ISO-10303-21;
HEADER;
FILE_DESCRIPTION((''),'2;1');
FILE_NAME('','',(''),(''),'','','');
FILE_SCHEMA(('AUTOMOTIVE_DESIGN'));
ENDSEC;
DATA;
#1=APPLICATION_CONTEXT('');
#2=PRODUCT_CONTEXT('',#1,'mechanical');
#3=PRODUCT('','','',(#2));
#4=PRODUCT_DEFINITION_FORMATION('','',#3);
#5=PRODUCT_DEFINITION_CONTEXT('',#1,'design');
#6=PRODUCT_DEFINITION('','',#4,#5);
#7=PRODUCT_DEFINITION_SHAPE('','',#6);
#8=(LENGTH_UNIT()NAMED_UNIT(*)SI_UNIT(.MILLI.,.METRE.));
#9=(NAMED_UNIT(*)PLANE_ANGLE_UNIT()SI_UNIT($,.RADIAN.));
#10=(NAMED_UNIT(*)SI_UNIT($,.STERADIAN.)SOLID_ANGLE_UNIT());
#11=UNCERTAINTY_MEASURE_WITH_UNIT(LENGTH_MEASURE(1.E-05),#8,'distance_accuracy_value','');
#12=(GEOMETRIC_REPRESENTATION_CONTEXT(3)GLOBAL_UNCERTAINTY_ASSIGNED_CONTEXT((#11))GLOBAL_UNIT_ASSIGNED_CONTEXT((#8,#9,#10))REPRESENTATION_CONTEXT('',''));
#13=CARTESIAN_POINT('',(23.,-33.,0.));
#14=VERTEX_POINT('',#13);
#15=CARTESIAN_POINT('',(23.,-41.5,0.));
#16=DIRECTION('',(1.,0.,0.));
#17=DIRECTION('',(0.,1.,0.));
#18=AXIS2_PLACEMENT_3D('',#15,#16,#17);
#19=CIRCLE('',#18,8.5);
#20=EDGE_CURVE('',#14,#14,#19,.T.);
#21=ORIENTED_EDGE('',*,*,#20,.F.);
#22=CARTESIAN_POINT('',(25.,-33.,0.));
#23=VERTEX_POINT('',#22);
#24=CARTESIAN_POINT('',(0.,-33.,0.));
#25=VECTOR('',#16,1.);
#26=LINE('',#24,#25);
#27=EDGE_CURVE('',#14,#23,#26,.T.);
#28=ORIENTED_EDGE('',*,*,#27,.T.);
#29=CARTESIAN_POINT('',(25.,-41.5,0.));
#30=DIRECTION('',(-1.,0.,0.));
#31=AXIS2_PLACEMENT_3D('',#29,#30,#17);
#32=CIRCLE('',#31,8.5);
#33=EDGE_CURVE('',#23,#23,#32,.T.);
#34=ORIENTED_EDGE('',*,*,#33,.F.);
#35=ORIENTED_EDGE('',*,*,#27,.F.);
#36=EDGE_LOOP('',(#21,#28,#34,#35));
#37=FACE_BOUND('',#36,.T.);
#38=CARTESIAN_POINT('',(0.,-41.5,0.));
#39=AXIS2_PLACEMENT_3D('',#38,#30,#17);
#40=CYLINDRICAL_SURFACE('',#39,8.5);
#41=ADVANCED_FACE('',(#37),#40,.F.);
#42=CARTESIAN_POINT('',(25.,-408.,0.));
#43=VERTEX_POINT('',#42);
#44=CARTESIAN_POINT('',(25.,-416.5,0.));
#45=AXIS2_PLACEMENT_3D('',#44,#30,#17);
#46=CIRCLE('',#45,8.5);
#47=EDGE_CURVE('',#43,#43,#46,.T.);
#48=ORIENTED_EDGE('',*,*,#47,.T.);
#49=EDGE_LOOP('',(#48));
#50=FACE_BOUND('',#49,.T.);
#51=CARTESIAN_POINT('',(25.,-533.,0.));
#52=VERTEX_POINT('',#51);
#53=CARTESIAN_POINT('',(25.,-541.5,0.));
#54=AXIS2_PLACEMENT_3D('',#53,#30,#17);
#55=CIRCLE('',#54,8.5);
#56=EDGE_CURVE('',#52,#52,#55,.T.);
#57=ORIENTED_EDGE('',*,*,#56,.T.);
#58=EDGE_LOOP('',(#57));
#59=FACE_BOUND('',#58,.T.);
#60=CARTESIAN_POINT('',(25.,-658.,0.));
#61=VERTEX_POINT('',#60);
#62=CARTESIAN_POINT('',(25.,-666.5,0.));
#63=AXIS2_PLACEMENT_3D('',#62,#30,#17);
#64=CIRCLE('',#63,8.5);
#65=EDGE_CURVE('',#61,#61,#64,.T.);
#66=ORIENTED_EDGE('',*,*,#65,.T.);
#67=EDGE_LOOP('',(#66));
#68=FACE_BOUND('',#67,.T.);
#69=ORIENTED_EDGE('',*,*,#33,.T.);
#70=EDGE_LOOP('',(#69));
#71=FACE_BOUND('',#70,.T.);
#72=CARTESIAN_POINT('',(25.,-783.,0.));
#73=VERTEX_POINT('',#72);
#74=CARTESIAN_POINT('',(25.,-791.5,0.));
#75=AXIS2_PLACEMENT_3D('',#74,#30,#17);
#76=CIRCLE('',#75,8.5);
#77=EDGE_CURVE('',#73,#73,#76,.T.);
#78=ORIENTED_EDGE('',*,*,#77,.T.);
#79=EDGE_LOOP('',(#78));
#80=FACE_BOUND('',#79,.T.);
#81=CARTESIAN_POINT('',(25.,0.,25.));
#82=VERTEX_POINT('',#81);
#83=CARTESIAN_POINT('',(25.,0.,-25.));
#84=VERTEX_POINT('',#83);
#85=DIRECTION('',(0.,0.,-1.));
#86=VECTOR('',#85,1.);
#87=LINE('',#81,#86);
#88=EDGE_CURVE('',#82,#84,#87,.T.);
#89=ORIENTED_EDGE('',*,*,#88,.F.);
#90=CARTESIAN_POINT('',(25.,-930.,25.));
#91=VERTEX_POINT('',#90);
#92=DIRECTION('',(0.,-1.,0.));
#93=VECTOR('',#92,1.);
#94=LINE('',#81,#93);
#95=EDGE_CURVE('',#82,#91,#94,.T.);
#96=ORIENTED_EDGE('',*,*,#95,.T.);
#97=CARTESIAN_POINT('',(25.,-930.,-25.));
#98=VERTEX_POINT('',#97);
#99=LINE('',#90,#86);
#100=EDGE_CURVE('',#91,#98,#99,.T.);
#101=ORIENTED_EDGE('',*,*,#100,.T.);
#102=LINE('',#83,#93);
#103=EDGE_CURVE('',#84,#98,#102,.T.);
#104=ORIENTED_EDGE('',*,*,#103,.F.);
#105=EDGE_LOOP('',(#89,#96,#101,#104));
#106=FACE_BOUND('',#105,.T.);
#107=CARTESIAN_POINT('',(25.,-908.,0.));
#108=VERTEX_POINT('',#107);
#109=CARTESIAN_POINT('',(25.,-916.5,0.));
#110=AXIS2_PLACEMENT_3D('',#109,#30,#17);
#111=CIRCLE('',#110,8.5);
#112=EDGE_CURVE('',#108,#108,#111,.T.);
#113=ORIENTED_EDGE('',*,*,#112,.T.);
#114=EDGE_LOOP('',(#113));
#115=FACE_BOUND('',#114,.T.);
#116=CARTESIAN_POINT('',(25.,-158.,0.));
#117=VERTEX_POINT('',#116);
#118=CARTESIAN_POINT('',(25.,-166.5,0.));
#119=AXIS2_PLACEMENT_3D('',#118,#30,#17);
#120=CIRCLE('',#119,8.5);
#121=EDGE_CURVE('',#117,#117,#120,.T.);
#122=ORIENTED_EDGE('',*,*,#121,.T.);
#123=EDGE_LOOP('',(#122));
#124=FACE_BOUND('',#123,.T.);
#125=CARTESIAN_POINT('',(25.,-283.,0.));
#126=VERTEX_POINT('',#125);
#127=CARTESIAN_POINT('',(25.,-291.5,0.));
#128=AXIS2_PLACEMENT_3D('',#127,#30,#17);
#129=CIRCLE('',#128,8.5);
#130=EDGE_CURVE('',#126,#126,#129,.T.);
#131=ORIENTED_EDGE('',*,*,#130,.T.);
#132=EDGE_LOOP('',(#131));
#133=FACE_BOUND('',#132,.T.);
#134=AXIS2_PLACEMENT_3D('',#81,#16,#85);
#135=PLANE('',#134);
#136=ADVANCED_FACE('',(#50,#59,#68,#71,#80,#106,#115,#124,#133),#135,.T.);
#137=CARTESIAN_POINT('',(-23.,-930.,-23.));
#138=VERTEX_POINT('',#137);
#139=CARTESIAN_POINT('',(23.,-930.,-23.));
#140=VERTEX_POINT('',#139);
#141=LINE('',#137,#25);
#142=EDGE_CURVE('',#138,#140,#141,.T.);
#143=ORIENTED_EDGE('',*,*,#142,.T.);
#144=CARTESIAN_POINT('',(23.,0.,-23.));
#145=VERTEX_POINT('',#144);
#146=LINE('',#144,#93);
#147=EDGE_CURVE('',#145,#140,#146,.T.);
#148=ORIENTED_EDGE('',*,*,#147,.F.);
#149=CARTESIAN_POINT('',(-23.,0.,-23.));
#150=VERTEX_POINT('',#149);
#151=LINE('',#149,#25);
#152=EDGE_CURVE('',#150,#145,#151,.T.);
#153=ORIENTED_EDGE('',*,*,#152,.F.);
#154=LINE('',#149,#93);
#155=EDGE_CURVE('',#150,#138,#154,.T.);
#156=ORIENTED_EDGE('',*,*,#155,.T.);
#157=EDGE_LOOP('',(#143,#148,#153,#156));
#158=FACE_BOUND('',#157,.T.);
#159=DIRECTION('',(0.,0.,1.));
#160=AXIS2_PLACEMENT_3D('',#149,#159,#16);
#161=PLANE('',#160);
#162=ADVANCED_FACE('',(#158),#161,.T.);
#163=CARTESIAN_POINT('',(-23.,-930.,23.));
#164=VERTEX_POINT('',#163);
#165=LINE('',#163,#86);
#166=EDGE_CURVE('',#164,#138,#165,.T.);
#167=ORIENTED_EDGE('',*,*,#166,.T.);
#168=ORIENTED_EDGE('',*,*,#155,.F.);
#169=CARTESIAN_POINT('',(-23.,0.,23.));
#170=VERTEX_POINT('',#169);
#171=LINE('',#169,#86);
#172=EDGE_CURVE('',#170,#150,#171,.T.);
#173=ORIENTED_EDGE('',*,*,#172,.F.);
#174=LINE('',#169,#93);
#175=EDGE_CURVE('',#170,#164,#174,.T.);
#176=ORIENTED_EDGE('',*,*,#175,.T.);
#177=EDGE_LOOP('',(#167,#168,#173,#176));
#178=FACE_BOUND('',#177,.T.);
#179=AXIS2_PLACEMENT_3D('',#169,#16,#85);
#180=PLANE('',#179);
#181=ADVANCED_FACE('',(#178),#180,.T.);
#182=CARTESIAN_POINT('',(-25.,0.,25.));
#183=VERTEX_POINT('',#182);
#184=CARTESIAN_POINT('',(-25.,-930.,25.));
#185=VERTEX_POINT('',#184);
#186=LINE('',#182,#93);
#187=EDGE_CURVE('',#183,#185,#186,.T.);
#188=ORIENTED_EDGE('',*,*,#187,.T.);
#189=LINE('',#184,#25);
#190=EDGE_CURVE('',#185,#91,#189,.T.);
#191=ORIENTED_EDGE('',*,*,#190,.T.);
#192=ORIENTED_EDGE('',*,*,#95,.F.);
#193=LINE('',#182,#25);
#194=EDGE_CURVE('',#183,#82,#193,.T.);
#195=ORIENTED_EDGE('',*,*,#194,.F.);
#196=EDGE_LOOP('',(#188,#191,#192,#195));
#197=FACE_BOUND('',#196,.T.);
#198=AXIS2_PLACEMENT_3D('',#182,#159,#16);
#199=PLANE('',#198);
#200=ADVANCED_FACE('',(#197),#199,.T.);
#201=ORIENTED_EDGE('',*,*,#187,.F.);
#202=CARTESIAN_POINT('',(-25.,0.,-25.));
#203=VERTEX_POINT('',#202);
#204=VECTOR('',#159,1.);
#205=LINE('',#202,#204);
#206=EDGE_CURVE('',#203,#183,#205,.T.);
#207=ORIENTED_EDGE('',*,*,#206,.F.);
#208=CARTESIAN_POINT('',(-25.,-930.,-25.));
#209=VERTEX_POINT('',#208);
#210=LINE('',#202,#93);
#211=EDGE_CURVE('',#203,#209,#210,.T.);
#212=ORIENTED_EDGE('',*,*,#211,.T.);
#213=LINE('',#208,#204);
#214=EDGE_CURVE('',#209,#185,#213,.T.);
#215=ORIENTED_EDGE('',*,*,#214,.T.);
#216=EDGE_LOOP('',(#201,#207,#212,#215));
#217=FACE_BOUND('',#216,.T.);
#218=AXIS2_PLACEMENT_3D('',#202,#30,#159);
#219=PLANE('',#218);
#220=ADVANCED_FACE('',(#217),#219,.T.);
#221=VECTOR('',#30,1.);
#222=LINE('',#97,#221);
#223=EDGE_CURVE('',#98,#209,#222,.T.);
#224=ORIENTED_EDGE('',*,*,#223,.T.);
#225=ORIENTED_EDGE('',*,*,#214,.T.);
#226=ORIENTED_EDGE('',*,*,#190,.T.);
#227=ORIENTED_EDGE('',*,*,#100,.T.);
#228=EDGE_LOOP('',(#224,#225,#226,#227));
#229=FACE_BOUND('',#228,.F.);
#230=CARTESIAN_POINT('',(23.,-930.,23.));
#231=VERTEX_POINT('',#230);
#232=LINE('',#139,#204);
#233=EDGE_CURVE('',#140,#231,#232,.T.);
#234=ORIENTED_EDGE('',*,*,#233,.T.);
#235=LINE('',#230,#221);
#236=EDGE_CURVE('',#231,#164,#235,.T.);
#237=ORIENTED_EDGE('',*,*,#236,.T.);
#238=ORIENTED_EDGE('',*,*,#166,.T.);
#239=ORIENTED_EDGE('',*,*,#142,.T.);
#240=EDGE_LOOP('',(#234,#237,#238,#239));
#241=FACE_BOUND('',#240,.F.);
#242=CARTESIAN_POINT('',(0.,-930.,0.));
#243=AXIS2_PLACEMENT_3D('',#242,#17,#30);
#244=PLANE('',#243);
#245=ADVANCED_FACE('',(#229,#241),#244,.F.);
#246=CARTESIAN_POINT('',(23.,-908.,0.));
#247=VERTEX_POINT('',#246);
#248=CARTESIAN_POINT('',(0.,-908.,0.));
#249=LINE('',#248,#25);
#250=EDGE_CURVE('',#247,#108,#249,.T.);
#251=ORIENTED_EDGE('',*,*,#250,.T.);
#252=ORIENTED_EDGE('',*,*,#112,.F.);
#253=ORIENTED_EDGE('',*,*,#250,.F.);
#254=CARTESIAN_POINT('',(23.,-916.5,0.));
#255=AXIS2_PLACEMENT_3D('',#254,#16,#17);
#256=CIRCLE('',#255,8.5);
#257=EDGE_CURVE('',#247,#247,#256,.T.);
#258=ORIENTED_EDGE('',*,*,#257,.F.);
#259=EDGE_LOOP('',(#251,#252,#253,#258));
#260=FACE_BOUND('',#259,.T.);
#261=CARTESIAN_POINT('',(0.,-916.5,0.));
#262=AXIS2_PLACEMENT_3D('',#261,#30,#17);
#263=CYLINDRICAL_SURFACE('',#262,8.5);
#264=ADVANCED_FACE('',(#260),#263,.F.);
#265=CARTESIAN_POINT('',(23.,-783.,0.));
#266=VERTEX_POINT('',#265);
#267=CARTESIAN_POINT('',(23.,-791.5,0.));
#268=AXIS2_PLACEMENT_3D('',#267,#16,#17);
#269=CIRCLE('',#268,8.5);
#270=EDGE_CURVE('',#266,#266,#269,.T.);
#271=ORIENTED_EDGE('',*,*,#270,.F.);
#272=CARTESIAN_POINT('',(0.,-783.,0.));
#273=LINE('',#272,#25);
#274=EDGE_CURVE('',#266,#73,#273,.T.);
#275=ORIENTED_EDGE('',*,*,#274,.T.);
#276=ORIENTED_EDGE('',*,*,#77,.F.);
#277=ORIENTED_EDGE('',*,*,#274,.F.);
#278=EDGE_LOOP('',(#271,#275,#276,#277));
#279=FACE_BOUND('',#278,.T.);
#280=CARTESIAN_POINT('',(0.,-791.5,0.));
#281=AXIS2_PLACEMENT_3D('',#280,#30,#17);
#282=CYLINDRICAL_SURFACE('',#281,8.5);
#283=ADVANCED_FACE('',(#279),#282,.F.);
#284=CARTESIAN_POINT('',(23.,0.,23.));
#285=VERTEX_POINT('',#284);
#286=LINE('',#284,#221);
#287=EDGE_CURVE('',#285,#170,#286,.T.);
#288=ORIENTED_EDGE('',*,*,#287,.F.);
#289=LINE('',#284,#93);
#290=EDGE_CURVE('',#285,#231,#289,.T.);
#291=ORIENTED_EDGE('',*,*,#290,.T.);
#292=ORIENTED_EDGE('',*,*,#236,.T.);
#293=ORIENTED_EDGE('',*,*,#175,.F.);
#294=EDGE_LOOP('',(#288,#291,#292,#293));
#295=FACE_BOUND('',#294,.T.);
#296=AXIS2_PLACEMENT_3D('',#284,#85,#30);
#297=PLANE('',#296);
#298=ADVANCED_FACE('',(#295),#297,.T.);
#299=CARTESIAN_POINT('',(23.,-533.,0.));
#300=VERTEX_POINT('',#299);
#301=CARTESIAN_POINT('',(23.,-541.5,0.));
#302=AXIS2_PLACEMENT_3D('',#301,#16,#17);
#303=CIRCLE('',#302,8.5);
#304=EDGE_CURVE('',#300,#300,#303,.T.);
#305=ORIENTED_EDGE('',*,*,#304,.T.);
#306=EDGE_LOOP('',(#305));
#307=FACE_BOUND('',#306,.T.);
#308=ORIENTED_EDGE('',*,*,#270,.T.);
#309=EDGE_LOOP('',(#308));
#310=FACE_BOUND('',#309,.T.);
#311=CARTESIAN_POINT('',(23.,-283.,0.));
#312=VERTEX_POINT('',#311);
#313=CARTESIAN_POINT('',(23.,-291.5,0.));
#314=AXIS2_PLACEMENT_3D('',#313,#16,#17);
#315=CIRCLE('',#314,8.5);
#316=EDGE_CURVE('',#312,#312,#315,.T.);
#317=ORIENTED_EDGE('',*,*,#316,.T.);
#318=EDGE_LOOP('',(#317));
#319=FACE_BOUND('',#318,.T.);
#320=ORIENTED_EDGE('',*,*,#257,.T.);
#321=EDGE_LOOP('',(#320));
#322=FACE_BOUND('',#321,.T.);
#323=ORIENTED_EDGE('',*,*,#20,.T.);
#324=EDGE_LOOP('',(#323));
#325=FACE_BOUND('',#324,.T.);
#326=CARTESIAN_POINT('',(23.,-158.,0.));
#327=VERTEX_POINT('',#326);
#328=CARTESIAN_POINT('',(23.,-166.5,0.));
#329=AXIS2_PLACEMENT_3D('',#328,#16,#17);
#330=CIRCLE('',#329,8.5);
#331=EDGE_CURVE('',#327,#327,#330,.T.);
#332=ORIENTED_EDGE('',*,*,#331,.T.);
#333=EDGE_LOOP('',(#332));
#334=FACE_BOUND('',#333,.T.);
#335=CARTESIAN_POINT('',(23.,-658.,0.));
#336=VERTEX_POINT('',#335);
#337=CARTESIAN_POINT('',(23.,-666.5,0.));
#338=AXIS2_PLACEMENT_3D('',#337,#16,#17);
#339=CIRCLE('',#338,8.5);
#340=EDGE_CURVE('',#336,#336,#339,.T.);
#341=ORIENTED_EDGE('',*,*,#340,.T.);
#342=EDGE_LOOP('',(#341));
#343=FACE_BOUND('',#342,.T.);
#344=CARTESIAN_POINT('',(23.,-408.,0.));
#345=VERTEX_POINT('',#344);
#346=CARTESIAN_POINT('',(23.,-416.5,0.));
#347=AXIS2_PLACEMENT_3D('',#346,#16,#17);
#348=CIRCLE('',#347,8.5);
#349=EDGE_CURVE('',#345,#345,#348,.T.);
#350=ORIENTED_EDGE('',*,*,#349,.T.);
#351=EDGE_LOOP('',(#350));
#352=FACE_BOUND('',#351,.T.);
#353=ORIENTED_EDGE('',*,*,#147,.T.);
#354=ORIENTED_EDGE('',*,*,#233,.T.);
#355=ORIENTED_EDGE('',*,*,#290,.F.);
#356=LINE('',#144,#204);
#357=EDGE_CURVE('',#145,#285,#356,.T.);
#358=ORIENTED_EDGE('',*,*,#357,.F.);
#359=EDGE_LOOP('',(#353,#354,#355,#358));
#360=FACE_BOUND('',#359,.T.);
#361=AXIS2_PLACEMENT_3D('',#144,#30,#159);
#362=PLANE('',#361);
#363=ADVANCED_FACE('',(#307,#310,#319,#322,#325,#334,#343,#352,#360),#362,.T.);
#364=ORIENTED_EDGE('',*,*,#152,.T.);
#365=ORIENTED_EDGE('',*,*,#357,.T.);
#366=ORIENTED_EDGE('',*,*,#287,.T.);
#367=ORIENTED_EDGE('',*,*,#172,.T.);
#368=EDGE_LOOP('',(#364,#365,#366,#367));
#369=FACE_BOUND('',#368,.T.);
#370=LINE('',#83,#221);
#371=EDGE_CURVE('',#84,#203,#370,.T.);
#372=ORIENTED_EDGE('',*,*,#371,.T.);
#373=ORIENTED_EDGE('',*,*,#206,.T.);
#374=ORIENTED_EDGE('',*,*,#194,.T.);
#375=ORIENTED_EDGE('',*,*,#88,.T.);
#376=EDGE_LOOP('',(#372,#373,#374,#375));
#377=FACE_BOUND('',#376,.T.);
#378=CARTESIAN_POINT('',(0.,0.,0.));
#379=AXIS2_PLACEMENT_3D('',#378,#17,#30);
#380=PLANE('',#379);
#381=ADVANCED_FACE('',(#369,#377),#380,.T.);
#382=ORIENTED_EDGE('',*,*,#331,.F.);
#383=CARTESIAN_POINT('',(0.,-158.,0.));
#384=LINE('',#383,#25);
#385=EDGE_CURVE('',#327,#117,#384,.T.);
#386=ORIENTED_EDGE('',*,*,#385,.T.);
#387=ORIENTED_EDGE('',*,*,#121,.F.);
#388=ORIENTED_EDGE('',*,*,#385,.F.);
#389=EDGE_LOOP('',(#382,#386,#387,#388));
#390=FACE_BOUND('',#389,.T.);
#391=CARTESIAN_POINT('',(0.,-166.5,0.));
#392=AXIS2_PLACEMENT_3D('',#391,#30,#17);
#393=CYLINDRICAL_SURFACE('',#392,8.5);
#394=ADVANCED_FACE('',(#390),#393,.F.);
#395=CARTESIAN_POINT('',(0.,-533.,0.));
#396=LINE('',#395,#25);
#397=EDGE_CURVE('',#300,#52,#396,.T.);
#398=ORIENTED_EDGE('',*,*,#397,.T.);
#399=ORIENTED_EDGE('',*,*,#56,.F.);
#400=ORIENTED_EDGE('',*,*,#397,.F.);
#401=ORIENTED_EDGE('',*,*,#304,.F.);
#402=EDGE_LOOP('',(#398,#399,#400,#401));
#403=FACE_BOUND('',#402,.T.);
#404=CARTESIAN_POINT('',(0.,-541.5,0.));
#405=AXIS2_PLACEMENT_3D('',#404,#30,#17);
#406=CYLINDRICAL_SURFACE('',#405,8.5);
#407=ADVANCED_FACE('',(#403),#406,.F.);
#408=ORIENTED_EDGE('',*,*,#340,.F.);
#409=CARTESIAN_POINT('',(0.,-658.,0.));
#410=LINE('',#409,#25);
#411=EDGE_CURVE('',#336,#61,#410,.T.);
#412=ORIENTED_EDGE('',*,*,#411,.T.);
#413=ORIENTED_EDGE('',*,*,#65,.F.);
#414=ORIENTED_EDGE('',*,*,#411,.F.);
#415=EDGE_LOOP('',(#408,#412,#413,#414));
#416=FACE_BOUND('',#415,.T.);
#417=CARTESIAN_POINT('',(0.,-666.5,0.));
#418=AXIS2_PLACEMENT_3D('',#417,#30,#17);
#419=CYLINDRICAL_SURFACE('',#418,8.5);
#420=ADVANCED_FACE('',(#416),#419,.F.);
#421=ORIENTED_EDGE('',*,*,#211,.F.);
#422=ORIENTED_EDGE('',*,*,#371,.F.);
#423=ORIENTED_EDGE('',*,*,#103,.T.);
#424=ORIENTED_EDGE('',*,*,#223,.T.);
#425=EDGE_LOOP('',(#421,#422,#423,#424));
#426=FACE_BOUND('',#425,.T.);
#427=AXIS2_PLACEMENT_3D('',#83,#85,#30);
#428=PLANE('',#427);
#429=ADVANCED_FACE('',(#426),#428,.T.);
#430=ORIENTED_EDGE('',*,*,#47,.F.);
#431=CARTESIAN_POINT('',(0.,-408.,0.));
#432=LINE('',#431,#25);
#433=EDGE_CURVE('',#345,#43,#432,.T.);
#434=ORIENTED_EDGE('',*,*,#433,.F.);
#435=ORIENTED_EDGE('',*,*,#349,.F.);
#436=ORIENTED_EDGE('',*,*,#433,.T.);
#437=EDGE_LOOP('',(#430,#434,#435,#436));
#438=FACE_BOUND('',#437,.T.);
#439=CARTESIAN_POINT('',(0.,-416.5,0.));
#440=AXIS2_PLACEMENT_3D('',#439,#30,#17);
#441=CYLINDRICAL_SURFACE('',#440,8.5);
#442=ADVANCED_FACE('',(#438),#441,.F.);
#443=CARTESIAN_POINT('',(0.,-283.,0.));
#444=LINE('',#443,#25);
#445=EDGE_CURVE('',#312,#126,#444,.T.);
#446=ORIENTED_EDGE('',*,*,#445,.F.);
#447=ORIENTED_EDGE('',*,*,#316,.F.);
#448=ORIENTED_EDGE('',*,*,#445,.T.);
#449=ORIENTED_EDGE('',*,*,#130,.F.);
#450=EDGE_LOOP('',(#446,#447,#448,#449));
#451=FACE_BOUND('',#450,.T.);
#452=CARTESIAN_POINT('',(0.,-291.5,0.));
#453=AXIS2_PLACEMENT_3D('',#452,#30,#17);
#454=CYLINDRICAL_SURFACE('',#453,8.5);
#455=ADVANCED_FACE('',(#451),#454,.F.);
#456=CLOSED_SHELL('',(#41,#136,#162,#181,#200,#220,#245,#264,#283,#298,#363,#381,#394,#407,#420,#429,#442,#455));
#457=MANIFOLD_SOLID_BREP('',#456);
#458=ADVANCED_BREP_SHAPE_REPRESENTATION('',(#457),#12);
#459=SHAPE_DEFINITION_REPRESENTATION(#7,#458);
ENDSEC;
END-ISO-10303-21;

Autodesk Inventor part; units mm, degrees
ref_plane "YZ Plane" through (0, 0, 0) normal (1, 0, 0) x (0, 1, 0)
ref_plane "XZ Plane" through (0, 0, 0) normal (0, 1, 0) x (-1, 0, 0)
ref_plane "XY Plane" through (0, 0, 0) normal (0, 0, 1) x (1, 0, 0)
sketch "Sketch9" plane through (0, 0, 0) normal (0, 1, 0) x (-1, 0, 0)
  line L0 (25, 25) -> (-25, 25)
  line L1 (-25, 25) -> (-25, -25)
  line L2 (-25, -25) -> (25, -25)
  line L3 (25, -25) -> (25, 25)
  line L4 (25, 25) -> (-25, -25) construction
  line L5 (-25, 25) -> (25, -25) construction
  line L6 (-23, 23) -> (23, 23)
  line L7 (23, 23) -> (23, -23)
  line L8 (23, -23) -> (-23, -23)
  line L9 (-23, -23) -> (-23, 23)
  point P0 (0, 0)
  dimension "d172" = 50
  dimension "d173" = 50
  dimension "d174" = 2
extrude "Extrusion3" add sketch "Sketch9" against normal blind 930
sketch "Sketch10" plane through (0, 0, 0) normal (1, 0, 0) x (0, 1, 0)
  line L0 (0, 25) -> (0, -25) construction
  line L1 (0, 25) -> (-930, 25) construction
  line L2 (-930, -25) -> (-930, 25) construction
  line L3 (0, -25) -> (-930, -25) construction
  line L4 (-925, 8.5) -> (-908, 8.5)
  line L5 (-908, 8.5) -> (-908, -8.5)
  line L6 (-908, -8.5) -> (-925, -8.5)
  line L7 (-925, -8.5) -> (-925, 8.5)
  line L8 (-925, 8.5) -> (-908, -8.5) construction
  line L9 (-908, 8.5) -> (-925, -8.5) construction
  circle A0 centre (-916.5, 0) radius 8.5
  line L10 (0, 25) -> (0, -25) projected
  point P0 (0, 0)
  point P1 (0, 0)
  point P2 (-930, 0)
  dimension "d177" = 17
  dimension "d178" = 17
  dimension "d191" = 5
extrude "Extrusion4" cut sketch "Sketch10" along normal through all contours A0
pattern_linear "Rectangular Pattern4" count 8 spacing 125 along (0, 1, 0) of "Extrusion4"
properties part number "TKS 3535 FDS WAY tube5" material "Stainless Steel"
